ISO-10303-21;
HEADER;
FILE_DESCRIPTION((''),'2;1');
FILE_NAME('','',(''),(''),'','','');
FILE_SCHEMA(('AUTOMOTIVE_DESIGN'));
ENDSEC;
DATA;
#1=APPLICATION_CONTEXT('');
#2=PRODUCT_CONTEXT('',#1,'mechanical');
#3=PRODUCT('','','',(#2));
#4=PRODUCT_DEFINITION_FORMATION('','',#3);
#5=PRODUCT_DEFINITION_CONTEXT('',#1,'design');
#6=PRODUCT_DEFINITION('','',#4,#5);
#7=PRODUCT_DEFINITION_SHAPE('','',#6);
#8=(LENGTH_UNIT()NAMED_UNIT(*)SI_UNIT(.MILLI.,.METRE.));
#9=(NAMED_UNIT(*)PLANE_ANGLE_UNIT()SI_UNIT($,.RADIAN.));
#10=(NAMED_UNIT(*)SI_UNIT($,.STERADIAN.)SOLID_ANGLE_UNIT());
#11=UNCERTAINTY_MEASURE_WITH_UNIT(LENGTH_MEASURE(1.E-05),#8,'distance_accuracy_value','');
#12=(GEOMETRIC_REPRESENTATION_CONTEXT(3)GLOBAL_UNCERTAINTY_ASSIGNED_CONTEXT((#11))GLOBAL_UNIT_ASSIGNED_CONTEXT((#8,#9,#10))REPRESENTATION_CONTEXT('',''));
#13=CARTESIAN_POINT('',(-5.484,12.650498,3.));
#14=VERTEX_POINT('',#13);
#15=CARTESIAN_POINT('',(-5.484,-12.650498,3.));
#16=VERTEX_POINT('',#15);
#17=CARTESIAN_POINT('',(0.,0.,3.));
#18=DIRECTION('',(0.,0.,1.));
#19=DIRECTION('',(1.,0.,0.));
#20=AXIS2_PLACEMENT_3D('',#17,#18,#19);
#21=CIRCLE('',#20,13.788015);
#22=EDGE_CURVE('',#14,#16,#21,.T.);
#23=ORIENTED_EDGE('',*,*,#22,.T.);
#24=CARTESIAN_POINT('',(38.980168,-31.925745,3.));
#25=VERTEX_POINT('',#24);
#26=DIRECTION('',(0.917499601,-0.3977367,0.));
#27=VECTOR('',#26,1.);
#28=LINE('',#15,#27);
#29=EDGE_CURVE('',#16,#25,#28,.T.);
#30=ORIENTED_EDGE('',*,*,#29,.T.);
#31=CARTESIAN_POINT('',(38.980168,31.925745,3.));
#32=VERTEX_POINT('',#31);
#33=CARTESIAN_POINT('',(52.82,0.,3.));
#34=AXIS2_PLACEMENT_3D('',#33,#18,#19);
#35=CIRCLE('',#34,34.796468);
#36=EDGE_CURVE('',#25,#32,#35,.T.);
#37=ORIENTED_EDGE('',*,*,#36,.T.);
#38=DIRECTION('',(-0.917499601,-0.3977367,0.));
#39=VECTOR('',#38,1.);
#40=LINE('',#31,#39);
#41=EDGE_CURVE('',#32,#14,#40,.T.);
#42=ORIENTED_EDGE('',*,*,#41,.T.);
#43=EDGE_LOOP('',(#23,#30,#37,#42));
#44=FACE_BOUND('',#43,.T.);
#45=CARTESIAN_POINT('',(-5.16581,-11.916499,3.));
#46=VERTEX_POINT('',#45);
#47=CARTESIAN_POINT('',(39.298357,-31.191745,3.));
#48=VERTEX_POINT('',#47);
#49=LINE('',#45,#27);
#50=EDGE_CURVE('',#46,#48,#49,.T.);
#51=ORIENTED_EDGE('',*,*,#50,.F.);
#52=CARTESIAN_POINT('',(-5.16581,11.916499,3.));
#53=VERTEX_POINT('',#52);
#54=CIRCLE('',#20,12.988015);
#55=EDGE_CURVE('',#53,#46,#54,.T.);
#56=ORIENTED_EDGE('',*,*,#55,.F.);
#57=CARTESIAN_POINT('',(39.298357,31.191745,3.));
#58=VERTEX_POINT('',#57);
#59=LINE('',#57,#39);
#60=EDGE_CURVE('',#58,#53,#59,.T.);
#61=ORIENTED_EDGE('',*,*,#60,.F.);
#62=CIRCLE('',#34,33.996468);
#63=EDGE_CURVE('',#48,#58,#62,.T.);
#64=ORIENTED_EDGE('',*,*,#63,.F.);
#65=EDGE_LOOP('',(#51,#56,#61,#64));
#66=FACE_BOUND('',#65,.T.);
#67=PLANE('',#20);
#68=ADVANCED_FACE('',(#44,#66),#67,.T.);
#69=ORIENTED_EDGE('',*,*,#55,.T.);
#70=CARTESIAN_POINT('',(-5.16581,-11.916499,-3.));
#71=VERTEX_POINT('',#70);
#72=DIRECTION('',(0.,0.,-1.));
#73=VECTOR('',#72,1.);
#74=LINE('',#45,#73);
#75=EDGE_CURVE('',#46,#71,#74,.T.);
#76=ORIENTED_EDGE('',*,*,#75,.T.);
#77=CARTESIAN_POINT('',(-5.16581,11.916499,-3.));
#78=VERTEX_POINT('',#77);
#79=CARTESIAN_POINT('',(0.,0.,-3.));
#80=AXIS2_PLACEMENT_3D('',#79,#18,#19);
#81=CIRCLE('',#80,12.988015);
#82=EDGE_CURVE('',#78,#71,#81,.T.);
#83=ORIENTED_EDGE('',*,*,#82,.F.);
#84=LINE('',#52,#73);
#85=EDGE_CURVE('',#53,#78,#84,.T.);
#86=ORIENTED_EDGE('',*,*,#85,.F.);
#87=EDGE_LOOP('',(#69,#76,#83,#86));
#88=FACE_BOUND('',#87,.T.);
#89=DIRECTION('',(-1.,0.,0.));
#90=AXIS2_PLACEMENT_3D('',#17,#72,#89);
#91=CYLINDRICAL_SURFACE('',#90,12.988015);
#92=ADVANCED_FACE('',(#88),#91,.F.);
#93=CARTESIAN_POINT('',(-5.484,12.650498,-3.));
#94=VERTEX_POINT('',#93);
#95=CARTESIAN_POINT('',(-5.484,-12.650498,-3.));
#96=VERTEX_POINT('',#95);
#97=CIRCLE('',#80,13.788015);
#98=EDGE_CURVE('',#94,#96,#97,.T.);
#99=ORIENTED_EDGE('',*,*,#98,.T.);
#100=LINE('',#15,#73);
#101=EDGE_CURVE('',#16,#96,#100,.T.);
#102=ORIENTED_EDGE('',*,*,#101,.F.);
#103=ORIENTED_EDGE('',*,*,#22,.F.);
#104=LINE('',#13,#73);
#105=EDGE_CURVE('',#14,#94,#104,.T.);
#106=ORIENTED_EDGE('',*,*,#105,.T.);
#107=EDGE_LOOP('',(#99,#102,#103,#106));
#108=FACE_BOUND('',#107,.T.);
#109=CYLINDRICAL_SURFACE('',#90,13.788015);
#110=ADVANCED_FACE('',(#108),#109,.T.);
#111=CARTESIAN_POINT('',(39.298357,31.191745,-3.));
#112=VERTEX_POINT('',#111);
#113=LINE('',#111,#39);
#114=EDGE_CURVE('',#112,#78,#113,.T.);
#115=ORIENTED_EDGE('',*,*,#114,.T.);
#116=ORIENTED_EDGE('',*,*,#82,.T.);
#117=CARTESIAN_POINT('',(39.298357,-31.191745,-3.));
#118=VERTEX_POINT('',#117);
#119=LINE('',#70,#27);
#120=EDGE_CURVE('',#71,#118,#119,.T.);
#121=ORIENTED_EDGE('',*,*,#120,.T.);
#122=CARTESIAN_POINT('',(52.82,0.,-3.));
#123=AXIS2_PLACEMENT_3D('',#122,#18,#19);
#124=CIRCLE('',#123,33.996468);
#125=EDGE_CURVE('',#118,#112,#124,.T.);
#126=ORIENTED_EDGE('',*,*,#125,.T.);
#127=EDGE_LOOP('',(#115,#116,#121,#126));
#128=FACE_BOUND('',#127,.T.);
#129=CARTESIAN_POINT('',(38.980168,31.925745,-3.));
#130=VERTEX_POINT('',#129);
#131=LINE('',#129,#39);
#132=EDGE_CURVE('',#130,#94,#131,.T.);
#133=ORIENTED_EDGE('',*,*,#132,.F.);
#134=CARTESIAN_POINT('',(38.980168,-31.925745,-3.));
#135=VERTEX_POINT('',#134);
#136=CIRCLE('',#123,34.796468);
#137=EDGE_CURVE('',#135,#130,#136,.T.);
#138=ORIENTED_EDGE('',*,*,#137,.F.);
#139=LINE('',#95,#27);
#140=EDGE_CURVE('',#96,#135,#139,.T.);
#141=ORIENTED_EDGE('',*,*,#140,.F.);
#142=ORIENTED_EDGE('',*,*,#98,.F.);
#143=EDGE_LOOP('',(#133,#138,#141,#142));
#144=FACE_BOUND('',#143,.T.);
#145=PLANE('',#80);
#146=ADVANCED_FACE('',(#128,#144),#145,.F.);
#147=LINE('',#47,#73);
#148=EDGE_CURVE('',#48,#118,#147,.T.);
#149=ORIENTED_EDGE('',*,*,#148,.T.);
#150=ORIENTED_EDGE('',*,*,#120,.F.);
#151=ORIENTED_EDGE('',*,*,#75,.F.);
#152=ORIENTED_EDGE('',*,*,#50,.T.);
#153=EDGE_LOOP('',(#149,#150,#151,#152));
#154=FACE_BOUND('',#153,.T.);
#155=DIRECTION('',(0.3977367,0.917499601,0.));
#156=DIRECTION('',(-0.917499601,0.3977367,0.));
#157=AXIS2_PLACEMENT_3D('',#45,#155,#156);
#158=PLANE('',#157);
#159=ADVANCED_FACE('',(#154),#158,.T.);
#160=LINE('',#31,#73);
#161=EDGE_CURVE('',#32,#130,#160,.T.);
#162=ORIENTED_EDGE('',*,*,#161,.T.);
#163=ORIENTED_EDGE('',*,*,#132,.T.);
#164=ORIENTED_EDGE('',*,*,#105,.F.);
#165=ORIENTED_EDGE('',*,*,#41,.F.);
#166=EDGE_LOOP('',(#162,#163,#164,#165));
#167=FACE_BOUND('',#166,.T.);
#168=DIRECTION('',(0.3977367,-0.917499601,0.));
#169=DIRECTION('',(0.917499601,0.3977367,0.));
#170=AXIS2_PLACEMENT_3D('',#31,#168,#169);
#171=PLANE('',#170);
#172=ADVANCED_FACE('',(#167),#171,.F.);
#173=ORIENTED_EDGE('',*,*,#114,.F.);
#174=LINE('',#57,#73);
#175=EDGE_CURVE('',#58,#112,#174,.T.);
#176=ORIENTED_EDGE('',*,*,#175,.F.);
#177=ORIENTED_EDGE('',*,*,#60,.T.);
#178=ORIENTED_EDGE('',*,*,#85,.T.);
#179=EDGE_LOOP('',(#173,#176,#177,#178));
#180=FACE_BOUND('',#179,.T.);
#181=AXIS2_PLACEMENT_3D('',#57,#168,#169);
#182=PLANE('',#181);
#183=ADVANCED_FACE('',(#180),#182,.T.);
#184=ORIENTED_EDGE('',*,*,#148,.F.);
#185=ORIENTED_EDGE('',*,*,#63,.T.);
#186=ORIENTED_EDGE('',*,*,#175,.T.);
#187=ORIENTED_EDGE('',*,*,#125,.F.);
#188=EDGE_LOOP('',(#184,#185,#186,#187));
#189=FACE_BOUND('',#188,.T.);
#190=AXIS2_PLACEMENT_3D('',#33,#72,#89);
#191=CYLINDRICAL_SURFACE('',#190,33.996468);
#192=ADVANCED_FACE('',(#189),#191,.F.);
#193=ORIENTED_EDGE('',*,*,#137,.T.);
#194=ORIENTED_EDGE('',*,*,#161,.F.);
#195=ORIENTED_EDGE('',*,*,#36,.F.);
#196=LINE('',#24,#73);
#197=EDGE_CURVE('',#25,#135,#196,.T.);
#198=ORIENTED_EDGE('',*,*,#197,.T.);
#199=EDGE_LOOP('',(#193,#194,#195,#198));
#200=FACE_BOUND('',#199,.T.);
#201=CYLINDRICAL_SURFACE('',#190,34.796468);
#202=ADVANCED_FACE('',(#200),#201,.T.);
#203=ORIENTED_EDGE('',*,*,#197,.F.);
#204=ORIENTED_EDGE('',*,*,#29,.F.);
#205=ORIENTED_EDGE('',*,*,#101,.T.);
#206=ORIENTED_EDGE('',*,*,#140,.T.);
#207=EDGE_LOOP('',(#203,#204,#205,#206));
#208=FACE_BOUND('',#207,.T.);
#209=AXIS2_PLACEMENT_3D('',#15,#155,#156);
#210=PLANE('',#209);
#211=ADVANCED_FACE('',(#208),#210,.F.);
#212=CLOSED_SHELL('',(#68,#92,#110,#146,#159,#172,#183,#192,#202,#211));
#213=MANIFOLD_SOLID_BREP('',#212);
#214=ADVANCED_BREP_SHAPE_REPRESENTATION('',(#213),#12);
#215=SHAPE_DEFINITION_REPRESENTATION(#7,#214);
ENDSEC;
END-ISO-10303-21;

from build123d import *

# Parameters (mm, degrees)
EXTRUDE_1_DEPTH      = 3
EXTRUDE_1_DEPTH_BACK = 3


with BuildPart() as part:
    # Sketch 1 → Extrude 1 (new body, two sides)
    with BuildSketch(Plane.XY) as extrude_1_sk:
        with BuildLine():
            Line((-5.483999587, -12.650498258), (38.980167841, -31.925745039))
            ThreePointArc((38.980167841, -31.925745039), (87.6164675, 0), (38.980167841, 31.925745039))
            Line((38.980167841, 31.925745039), (-5.483999587, 12.650498258))
            ThreePointArc((-5.483999587, 12.650498258), (-13.788015, 0), (-5.483999587, -12.650498258))
        make_face()
        with BuildLine():
            Line((-5.165810227, -11.916498577), (39.298357201, -31.191745358))
            ThreePointArc((39.298357201, -31.191745358), (86.8164675, 0), (39.298357201, 31.191745358))
            Line((39.298357201, 31.191745358), (-5.165810227, 11.916498577))
            ThreePointArc((-5.165810227, 11.916498577), (-12.988015, 0), (-5.165810227, -11.916498577))
        make_face(mode=Mode.SUBTRACT)
    extrude(amount=EXTRUDE_1_DEPTH)
    extrude(extrude_1_sk.sketch, amount=-EXTRUDE_1_DEPTH_BACK)


solid = part.part
